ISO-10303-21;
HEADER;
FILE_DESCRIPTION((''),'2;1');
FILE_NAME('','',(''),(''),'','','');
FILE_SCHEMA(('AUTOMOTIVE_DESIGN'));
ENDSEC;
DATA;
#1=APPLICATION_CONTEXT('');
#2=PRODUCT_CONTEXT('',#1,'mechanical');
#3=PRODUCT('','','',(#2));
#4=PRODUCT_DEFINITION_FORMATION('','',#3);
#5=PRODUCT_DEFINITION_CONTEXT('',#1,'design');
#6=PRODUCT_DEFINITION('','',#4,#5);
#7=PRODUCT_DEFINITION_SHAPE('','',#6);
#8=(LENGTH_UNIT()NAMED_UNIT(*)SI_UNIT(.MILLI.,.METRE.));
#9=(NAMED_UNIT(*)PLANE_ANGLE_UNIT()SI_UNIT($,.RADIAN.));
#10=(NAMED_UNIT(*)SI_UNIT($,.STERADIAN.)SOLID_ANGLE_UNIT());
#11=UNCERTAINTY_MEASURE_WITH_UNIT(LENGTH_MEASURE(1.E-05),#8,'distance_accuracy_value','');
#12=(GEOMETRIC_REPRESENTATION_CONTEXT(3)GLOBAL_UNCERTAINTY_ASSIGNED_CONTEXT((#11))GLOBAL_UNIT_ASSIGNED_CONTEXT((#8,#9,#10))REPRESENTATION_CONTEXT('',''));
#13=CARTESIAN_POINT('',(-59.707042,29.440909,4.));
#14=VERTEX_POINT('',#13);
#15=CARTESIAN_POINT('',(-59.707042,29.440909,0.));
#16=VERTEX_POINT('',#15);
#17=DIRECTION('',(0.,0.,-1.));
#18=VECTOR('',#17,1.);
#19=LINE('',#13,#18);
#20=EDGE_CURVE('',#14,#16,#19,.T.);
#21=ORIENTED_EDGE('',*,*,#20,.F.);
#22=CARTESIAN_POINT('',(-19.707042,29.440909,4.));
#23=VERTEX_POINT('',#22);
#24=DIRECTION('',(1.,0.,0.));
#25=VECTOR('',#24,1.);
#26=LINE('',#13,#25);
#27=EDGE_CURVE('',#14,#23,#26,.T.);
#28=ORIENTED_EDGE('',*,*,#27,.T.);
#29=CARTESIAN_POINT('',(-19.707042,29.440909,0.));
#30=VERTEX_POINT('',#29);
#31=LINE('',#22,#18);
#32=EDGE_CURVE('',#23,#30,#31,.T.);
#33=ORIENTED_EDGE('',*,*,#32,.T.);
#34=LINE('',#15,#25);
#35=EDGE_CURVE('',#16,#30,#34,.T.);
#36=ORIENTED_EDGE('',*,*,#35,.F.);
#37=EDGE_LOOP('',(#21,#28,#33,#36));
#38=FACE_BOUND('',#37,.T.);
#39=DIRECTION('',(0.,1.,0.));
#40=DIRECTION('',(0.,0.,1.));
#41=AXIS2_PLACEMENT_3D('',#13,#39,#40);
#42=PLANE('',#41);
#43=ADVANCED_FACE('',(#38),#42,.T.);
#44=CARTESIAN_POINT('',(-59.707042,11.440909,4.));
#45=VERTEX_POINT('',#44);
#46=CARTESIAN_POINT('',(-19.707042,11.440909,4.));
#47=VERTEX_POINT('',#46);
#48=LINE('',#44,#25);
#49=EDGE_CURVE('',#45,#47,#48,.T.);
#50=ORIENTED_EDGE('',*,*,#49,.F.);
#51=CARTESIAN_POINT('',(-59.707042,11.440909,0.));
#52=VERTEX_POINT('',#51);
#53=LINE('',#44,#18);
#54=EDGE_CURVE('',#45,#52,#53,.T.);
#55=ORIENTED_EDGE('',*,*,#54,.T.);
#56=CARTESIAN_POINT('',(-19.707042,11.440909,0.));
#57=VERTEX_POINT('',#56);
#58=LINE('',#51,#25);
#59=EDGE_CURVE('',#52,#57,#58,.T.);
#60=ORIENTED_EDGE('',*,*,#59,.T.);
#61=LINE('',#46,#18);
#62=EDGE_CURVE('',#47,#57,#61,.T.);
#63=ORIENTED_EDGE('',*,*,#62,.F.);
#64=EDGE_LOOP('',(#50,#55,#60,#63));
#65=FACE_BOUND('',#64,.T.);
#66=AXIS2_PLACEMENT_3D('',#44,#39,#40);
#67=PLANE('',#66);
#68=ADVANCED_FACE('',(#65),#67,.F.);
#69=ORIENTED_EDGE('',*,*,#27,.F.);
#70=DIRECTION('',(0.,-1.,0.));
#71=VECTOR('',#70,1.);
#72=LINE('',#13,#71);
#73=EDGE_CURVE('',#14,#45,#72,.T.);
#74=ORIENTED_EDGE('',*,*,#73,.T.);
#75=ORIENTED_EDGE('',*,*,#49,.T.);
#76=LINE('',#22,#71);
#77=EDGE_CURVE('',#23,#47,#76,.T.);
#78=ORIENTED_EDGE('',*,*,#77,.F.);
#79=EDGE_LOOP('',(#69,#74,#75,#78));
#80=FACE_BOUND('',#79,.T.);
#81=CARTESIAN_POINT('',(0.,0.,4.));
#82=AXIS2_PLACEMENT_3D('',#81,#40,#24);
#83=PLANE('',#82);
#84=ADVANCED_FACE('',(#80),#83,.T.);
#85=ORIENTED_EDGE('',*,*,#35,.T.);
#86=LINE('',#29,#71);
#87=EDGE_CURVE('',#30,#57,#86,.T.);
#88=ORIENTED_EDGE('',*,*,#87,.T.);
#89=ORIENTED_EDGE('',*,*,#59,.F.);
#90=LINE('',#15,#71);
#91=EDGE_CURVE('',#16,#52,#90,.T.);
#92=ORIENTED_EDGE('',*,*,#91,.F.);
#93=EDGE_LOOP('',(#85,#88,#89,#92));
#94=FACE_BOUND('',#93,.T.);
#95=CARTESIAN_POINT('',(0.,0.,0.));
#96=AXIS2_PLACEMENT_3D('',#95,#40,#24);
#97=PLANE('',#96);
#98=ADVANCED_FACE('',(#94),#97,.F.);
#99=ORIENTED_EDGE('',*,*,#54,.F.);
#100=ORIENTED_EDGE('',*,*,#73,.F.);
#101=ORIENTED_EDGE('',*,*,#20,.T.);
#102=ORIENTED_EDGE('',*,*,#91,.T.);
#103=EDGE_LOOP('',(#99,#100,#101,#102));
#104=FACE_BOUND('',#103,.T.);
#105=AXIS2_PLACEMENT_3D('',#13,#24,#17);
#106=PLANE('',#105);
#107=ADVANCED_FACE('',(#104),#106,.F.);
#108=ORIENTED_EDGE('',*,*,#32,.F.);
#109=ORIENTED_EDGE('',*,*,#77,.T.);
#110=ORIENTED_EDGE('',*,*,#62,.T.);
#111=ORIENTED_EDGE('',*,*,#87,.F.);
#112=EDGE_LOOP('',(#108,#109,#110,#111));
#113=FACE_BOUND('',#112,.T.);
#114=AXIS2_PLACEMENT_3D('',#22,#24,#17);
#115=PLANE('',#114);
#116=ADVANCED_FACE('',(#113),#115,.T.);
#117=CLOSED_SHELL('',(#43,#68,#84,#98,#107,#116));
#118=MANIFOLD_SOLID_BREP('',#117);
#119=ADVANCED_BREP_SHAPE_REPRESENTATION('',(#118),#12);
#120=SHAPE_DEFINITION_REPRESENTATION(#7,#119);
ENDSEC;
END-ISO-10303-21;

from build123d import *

# Parameters (mm, degrees)
SKETCH3_W           = 40
SKETCH3_H           = 18
BOSS_EXTRUDE1_DEPTH = 4


with BuildPart() as part:
    # Sketch3 → Boss-Extrude1 (new body)
    with BuildSketch(Plane.XY):
        with Locations((-39.707042292, 20.440909091)):
            Rectangle(SKETCH3_W, SKETCH3_H)
    extrude(amount=BOSS_EXTRUDE1_DEPTH)


solid = part.part
